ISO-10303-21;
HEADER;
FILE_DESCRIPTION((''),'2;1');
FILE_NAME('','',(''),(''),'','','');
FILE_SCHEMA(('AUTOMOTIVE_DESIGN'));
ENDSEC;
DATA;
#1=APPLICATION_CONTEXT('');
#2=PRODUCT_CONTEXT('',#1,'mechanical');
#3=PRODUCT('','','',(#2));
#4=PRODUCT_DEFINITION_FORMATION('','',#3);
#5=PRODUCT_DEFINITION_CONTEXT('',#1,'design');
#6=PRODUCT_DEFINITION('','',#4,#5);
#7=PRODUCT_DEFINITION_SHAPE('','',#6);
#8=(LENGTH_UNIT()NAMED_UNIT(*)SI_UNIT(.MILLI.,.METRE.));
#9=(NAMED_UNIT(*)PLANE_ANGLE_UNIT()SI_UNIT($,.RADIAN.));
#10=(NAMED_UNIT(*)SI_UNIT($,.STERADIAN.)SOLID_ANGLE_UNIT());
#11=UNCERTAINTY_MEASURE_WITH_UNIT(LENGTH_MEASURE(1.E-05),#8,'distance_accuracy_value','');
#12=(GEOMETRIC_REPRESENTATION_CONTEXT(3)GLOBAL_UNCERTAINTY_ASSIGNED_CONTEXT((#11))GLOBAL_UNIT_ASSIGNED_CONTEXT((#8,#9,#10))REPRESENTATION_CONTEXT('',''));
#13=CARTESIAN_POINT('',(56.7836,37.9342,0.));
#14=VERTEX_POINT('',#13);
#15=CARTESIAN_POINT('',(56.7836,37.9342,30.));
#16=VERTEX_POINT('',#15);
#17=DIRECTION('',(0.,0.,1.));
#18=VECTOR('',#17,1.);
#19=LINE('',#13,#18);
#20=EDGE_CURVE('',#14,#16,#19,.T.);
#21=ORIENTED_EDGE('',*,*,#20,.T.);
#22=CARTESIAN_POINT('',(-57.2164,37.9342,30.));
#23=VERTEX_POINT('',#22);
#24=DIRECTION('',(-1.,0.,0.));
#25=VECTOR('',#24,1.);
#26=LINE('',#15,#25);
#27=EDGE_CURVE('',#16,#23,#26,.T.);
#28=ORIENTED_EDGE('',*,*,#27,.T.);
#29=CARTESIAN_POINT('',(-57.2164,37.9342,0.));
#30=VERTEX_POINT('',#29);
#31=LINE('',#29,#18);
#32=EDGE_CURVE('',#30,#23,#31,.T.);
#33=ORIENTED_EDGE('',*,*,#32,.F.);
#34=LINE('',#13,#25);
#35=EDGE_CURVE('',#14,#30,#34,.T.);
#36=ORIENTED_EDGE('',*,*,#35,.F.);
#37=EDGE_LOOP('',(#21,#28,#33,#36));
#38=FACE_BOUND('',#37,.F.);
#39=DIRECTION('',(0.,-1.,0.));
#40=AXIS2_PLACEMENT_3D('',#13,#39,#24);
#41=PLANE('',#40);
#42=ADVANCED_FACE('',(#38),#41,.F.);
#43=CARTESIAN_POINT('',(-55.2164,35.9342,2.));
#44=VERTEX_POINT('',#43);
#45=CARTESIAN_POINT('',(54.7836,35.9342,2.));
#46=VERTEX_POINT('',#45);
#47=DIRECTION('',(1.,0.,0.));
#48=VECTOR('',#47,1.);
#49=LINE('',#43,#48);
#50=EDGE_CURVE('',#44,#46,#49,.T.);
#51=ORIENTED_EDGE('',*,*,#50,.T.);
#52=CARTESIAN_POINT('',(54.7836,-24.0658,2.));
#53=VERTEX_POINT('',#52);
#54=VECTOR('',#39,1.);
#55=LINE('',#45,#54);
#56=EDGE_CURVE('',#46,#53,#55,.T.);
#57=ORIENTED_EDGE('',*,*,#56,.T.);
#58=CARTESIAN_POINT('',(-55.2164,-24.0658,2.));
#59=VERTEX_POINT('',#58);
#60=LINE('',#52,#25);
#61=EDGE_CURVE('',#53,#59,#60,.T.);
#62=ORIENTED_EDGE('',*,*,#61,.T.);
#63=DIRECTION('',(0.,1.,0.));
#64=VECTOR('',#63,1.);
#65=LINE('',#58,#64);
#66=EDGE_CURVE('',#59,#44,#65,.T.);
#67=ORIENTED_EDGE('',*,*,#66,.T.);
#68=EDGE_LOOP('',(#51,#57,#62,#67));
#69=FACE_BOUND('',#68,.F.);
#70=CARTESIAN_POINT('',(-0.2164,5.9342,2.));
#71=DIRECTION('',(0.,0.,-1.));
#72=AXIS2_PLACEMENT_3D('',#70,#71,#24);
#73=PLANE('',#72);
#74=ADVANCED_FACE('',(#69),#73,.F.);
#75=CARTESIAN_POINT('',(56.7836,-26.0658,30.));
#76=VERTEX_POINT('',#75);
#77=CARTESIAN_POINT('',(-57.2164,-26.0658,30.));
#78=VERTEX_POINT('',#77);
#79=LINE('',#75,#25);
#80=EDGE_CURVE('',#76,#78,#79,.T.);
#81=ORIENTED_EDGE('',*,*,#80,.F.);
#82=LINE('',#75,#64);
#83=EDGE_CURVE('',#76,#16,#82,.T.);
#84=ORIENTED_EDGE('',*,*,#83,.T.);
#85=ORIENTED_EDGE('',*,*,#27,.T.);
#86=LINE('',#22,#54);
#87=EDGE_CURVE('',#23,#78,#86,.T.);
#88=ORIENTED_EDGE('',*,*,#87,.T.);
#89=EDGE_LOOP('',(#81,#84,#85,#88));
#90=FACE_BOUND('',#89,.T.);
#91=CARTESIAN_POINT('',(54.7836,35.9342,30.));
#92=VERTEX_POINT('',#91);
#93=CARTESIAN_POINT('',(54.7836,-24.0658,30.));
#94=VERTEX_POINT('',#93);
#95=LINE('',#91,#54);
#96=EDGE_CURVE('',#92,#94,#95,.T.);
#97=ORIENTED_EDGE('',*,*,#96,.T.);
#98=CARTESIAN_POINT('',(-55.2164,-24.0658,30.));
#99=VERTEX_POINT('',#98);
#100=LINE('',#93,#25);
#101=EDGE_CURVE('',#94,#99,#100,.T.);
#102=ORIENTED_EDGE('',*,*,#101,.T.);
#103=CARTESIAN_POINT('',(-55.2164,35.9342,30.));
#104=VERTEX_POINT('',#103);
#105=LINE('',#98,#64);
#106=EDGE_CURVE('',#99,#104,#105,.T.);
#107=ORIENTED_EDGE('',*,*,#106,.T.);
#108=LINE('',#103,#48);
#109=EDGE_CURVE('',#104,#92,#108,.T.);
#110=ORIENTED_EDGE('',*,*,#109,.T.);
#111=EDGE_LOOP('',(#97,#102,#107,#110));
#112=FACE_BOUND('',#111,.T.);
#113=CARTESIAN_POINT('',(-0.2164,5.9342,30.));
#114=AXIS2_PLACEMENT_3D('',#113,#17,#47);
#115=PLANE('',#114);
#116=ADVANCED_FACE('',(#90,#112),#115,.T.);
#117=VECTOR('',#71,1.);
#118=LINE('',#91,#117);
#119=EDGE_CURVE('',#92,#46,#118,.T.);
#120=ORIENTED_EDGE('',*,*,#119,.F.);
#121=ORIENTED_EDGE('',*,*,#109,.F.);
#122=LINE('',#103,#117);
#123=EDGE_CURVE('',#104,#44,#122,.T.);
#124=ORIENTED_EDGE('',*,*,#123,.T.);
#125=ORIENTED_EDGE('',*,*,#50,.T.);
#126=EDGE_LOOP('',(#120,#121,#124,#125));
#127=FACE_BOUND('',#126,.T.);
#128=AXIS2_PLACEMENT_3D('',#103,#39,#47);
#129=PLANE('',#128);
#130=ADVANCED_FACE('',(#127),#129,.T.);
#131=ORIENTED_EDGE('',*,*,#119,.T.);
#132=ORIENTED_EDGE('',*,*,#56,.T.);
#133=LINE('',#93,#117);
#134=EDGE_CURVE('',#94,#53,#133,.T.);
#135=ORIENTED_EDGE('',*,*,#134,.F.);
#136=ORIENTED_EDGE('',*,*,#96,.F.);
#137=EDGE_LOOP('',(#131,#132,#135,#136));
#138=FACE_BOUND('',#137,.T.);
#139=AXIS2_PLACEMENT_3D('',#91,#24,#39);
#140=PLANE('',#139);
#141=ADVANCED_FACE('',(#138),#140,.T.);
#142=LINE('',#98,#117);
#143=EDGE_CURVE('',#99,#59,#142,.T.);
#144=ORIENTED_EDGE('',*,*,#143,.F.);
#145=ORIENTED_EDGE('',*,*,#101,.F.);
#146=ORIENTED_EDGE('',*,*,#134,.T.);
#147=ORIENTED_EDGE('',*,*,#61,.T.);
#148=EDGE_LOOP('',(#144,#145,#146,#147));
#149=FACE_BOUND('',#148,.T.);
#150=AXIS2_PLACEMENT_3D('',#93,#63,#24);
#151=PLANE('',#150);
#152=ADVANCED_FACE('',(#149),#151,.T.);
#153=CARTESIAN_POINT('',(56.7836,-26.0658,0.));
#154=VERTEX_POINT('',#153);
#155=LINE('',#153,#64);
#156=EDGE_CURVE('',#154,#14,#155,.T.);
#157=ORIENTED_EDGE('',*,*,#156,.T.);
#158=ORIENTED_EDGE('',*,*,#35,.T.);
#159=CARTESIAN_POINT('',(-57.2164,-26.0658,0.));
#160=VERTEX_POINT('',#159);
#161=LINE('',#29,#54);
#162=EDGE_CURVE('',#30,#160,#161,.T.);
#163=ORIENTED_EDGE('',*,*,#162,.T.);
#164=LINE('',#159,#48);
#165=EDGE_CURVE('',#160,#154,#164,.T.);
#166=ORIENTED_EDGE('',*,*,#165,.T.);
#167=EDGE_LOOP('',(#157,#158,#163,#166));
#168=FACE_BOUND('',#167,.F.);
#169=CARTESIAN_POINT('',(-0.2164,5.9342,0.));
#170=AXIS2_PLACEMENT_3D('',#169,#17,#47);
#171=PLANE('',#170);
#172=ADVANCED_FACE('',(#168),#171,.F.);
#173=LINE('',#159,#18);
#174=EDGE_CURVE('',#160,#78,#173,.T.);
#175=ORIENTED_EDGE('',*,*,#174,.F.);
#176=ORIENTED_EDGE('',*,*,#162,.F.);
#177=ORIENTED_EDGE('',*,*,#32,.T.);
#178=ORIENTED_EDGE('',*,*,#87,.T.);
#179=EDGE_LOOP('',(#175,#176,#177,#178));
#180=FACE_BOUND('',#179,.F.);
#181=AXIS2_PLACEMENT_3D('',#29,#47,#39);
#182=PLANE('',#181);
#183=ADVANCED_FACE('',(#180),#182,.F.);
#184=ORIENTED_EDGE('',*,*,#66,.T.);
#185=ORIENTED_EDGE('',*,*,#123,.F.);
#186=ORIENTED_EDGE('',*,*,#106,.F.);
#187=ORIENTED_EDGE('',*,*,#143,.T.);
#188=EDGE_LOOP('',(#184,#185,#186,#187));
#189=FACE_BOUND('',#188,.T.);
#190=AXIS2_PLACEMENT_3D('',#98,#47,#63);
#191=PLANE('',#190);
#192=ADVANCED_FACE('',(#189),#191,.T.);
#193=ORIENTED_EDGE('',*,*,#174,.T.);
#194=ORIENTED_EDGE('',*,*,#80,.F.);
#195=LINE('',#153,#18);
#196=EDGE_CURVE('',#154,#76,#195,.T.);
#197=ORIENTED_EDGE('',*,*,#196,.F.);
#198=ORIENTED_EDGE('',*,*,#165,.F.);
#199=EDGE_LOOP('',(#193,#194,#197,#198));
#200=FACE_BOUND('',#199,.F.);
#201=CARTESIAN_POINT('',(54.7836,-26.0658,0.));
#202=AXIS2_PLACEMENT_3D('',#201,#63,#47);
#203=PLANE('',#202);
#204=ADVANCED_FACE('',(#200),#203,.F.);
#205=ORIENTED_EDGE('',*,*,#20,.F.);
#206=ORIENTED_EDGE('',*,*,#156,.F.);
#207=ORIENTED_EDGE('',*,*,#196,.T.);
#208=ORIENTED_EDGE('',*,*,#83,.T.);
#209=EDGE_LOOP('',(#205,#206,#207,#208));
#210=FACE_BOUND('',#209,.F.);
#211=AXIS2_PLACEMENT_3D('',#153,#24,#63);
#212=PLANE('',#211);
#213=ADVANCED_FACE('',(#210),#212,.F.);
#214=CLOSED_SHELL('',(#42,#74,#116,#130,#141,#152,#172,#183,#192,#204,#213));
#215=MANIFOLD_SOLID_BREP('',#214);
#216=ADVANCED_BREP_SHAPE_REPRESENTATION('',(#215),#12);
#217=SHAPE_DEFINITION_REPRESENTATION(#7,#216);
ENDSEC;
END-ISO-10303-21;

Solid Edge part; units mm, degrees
sketch "Sketch1" plane through (0, 0, 0) normal (0, 0, 1) x (1, 0, 0)
  line L0 (-55.2164, -24.0658) -> (54.7836, -24.0658)
  line L1 (54.7836, -24.0658) -> (54.7836, 35.9342)
  line L2 (54.7836, 35.9342) -> (-55.2164, 35.9342)
  line L3 (-55.2164, 35.9342) -> (-55.2164, -24.0658)
extrude "Protrusion1" add sketch "Sketch1" along normal blind 30
sketch "Sketch2" plane through (0, 0, 0) normal (0, 0, 1) x (1, 0, 0)
  line L0 (56.7836, -26.0658) -> (56.7836, 37.9342)
  line L1 (56.7836, 37.9342) -> (-57.2164, 37.9342)
  line L2 (-57.2164, 37.9342) -> (-57.2164, -26.0658)
  line L3 (-57.2164, -26.0658) -> (54.7836, -26.0658)
  line L4 (54.7836, -26.0658) -> (56.7836, -26.0658)
extrude "ExtrudedProtrusion_2" add sketch "Sketch2" along normal blind 30
sketch "Sketch3" plane through (-0.2164, 5.9342, 30) normal (0, 0, 1) x (1, 0, 0)
  line L0 (-55, 30) -> (55, 30)
  line L1 (55, 30) -> (55, -30)
  line L2 (55, -30) -> (-55, -30)
  line L3 (-55, -30) -> (-55, 30)
extrude "ExtrudedCutout_1" cut sketch "Sketch3" against normal blind 28
